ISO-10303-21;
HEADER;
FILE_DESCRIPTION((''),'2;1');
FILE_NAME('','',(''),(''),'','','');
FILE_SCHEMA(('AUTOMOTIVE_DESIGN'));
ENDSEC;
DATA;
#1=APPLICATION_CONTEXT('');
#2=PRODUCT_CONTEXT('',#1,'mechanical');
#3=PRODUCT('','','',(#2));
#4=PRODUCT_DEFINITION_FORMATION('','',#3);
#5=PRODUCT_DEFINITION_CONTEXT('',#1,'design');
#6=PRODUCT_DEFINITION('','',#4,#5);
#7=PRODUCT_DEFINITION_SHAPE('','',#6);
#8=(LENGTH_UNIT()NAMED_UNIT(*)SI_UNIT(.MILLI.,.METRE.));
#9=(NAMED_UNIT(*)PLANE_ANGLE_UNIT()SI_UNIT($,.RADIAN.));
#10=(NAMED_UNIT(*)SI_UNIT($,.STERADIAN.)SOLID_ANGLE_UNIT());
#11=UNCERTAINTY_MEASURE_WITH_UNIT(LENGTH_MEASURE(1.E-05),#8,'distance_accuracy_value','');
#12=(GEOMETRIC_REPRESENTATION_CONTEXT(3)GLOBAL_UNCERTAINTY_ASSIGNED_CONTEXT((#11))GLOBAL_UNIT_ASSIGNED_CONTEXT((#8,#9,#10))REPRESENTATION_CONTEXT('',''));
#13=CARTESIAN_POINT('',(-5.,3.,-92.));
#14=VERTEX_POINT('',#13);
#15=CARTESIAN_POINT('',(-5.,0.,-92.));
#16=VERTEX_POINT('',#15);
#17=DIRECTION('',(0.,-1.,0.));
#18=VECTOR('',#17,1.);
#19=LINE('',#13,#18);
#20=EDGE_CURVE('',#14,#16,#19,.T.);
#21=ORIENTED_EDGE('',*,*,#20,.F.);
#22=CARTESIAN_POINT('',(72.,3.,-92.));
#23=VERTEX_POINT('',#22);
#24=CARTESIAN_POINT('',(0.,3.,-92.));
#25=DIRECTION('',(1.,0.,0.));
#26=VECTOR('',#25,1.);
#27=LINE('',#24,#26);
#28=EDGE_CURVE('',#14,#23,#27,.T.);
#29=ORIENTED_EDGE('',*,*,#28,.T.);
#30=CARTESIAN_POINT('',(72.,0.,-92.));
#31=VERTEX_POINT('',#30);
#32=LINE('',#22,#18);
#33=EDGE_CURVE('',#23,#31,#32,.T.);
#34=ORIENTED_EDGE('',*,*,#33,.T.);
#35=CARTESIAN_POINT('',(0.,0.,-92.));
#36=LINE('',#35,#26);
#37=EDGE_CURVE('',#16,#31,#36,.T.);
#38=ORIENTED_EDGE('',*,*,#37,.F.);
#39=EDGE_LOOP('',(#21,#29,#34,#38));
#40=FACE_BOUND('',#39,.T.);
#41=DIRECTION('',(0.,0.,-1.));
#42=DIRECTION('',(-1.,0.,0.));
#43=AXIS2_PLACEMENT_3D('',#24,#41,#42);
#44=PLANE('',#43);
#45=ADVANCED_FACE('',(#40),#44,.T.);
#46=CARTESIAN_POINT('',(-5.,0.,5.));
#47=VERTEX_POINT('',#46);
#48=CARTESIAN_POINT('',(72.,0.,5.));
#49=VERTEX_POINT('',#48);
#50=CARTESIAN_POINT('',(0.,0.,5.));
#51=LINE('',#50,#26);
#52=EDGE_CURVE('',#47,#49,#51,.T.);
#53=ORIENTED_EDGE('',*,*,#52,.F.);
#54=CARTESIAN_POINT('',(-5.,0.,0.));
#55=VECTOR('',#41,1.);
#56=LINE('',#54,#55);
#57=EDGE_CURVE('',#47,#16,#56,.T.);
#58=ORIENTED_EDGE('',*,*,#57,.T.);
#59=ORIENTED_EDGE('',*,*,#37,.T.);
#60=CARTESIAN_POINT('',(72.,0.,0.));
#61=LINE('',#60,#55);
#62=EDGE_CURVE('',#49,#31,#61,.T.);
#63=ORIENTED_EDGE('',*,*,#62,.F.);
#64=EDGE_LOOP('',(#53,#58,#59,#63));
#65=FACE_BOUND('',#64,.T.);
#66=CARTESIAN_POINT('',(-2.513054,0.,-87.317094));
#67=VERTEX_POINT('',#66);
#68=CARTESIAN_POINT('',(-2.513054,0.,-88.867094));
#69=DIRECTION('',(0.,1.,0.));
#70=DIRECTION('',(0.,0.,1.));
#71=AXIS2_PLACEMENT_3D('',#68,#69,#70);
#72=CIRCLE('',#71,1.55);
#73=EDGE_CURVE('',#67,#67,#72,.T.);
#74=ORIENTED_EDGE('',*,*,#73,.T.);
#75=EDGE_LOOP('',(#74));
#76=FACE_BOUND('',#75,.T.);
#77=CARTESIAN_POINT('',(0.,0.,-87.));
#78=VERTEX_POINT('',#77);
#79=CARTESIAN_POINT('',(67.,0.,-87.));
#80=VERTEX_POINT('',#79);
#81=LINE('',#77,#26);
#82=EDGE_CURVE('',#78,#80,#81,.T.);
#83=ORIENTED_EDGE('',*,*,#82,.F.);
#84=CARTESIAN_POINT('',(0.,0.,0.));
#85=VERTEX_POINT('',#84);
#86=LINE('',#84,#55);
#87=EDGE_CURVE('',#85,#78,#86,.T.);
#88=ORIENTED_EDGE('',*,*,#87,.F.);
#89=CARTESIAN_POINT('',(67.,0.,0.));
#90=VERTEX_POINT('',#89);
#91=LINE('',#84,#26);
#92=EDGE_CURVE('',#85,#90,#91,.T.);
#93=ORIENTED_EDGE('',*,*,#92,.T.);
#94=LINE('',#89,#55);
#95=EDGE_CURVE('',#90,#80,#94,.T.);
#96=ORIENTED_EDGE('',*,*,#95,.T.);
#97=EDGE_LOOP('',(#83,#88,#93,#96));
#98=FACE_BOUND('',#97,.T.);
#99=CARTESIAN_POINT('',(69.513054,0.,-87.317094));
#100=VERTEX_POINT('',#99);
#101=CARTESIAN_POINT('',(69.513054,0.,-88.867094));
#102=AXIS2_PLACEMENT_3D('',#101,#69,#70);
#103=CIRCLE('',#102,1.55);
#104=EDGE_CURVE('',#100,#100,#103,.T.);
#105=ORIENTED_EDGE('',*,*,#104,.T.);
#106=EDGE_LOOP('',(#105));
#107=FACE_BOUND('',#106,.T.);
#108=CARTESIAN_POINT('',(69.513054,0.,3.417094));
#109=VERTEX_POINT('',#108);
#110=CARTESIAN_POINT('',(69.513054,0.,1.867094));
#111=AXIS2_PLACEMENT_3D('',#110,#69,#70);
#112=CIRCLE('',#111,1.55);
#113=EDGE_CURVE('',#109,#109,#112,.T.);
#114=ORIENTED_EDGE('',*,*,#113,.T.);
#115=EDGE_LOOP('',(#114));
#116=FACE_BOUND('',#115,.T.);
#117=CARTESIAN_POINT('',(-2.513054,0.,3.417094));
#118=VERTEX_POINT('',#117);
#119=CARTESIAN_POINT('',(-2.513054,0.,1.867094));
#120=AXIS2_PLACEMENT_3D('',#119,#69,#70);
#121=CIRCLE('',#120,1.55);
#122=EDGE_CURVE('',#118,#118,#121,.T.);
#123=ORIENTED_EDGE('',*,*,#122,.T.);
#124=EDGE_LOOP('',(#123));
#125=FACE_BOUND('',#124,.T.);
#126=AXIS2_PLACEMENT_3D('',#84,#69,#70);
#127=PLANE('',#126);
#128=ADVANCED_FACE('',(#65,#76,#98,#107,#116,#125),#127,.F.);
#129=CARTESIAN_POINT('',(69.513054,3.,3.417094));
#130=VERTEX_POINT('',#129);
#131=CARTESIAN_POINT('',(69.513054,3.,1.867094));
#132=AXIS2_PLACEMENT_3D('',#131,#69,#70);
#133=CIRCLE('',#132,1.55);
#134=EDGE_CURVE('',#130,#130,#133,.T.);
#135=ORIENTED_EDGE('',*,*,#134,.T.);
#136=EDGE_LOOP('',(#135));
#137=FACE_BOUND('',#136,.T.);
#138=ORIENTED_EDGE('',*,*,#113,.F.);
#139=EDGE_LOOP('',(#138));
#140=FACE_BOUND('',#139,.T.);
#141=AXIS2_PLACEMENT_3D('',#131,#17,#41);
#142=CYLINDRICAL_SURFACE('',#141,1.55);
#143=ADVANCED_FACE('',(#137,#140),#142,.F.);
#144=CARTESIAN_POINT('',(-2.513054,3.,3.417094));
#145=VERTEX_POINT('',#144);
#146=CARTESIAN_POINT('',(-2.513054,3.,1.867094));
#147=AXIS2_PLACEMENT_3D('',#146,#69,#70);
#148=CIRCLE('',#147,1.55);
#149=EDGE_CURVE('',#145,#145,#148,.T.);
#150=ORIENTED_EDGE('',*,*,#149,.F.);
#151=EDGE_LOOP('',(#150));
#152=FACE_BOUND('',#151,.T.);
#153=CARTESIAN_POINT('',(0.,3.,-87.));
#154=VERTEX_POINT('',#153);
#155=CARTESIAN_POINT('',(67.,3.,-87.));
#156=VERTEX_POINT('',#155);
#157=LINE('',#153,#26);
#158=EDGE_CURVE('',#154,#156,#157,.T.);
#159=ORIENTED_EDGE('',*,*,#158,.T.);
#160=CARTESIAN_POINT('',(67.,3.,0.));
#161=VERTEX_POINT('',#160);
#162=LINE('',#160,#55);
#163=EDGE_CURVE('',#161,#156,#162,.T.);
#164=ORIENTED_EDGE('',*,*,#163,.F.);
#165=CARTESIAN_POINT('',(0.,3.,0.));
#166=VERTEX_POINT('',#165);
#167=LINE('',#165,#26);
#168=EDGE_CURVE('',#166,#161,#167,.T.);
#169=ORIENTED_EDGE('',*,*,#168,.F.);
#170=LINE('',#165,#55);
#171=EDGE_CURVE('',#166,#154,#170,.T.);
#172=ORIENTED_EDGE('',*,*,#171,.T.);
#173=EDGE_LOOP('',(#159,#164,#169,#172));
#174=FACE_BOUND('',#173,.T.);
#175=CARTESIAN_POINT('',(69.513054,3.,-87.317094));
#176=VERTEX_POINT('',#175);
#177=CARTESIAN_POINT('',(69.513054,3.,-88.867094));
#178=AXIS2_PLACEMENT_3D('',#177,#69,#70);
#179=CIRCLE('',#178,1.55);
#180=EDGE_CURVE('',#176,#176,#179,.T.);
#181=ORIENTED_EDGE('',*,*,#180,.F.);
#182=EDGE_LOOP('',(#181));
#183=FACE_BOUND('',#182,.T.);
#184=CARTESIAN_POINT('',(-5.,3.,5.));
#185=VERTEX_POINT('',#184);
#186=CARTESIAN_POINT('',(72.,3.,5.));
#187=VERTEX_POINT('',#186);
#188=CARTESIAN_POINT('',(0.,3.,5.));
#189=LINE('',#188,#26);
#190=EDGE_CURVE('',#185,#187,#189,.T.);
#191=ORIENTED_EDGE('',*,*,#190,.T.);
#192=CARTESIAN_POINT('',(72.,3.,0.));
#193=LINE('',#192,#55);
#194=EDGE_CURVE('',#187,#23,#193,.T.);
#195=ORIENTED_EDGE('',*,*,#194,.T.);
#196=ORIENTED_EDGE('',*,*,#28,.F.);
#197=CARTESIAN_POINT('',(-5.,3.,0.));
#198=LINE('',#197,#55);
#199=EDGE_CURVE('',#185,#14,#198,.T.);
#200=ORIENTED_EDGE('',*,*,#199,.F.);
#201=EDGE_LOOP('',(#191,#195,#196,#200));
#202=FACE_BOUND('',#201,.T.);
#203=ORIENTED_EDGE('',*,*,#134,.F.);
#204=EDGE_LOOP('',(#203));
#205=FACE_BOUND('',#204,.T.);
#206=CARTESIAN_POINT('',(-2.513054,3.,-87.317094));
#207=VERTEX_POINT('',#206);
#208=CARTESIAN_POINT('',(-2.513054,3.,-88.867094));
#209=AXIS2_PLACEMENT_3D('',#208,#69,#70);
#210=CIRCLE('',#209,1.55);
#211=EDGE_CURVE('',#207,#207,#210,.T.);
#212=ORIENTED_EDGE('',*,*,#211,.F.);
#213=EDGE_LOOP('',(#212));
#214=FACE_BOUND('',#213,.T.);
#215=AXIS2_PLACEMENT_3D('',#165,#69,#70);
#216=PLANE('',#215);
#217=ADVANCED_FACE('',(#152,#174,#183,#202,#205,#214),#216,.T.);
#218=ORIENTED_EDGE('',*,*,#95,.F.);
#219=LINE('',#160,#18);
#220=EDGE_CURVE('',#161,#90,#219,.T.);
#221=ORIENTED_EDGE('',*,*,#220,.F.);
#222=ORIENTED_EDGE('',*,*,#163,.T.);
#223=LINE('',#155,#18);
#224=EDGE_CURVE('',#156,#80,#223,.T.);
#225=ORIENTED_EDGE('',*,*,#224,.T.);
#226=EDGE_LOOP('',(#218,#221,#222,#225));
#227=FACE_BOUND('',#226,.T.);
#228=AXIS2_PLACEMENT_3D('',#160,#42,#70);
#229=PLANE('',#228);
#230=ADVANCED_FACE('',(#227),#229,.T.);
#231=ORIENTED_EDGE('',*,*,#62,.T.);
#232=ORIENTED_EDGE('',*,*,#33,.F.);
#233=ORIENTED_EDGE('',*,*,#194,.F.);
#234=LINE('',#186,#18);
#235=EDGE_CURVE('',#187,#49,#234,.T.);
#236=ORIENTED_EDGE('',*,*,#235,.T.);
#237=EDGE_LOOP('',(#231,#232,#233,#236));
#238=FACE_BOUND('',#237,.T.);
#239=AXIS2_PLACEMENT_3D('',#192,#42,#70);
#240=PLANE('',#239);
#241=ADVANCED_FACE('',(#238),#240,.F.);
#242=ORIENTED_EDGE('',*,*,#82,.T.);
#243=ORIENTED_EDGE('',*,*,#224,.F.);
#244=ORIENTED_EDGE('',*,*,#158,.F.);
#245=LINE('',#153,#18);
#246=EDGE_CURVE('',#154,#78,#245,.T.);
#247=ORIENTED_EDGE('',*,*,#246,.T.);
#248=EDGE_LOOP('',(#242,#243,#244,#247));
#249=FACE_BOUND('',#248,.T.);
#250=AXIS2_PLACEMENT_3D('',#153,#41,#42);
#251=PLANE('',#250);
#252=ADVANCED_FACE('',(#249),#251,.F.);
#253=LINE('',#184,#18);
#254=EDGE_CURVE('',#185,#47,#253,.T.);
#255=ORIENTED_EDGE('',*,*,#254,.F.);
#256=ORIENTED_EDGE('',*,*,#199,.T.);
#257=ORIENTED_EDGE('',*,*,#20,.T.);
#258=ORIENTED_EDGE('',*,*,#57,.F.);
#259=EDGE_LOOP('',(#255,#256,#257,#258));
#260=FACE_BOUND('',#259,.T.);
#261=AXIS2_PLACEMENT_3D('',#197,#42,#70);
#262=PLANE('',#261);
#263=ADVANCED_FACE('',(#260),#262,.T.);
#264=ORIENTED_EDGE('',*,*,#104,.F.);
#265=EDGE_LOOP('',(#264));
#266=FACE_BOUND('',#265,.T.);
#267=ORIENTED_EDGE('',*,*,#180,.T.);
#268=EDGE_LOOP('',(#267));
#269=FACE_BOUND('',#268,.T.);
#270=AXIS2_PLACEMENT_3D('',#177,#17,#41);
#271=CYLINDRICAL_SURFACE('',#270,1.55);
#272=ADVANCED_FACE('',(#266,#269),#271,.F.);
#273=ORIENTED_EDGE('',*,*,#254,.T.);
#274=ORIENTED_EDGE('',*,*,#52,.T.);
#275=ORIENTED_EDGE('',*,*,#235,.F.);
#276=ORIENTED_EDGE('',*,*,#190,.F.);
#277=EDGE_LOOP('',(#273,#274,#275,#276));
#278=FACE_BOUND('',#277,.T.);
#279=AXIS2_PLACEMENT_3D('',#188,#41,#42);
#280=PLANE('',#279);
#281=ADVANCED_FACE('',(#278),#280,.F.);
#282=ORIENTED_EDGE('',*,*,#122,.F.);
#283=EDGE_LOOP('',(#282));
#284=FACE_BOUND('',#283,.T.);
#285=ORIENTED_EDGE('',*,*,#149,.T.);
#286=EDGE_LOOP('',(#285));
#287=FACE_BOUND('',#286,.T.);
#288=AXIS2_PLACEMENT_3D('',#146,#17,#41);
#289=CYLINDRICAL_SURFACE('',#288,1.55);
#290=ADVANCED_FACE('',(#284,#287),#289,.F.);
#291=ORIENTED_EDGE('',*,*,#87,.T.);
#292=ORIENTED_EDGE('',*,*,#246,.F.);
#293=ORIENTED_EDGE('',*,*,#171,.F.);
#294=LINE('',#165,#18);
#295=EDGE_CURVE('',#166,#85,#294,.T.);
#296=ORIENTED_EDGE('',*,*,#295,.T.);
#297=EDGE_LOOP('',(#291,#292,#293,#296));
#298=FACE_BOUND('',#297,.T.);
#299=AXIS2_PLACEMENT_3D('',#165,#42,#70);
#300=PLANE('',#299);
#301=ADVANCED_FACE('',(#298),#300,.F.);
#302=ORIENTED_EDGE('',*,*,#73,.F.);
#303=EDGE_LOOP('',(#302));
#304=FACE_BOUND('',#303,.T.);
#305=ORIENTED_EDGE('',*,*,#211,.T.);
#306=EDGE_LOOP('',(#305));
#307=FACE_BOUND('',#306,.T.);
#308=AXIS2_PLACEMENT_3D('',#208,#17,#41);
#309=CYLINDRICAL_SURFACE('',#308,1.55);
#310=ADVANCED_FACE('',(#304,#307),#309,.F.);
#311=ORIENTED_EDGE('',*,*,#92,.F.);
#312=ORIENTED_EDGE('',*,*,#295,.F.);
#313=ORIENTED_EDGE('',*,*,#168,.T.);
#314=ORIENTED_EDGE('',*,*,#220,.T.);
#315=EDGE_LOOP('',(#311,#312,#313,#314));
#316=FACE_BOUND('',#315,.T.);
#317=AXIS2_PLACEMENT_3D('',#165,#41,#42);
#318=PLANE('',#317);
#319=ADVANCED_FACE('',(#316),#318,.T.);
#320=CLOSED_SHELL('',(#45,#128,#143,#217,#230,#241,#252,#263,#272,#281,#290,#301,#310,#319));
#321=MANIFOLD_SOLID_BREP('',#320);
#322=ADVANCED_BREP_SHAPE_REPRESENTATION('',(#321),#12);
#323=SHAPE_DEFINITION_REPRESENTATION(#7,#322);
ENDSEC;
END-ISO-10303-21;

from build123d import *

# Parameters (mm, degrees)
SKETCH1_W           = 77
SKETCH1_H           = 97
SKETCH1_R           = 1.55
SKETCH1_W_2         = 67
SKETCH1_H_2         = 87
BOSS_EXTRUDE1_DEPTH = 3


with BuildPart() as part:
    # Sketch1 → Boss-Extrude1 (new body)
    with BuildSketch(Plane(origin=(0, 0, 0), x_dir=(1, 0, 0), z_dir=(0, 1, 0))):
        with Locations((33.5, 43.5)):
            Rectangle(SKETCH1_W, SKETCH1_H)
        with Locations(Location((69.513054032, 88.86709404, 0), (0, 0, 270))):
            Circle(SKETCH1_R, mode=Mode.SUBTRACT)
        with Locations(Location((-2.513054032, 88.86709404, 0), (0, 0, 270))):
            Circle(SKETCH1_R, mode=Mode.SUBTRACT)
        with Locations(Location((-2.513054032, -1.86709404, 0), (0, 0, 270))):
            Circle(SKETCH1_R, mode=Mode.SUBTRACT)
        with Locations(Location((69.513054032, -1.86709404, 0), (0, 0, 270))):
            Circle(SKETCH1_R, mode=Mode.SUBTRACT)
        with Locations((33.5, 43.5)):
            Rectangle(SKETCH1_W_2, SKETCH1_H_2, mode=Mode.SUBTRACT)
    extrude(amount=BOSS_EXTRUDE1_DEPTH)


solid = part.part
